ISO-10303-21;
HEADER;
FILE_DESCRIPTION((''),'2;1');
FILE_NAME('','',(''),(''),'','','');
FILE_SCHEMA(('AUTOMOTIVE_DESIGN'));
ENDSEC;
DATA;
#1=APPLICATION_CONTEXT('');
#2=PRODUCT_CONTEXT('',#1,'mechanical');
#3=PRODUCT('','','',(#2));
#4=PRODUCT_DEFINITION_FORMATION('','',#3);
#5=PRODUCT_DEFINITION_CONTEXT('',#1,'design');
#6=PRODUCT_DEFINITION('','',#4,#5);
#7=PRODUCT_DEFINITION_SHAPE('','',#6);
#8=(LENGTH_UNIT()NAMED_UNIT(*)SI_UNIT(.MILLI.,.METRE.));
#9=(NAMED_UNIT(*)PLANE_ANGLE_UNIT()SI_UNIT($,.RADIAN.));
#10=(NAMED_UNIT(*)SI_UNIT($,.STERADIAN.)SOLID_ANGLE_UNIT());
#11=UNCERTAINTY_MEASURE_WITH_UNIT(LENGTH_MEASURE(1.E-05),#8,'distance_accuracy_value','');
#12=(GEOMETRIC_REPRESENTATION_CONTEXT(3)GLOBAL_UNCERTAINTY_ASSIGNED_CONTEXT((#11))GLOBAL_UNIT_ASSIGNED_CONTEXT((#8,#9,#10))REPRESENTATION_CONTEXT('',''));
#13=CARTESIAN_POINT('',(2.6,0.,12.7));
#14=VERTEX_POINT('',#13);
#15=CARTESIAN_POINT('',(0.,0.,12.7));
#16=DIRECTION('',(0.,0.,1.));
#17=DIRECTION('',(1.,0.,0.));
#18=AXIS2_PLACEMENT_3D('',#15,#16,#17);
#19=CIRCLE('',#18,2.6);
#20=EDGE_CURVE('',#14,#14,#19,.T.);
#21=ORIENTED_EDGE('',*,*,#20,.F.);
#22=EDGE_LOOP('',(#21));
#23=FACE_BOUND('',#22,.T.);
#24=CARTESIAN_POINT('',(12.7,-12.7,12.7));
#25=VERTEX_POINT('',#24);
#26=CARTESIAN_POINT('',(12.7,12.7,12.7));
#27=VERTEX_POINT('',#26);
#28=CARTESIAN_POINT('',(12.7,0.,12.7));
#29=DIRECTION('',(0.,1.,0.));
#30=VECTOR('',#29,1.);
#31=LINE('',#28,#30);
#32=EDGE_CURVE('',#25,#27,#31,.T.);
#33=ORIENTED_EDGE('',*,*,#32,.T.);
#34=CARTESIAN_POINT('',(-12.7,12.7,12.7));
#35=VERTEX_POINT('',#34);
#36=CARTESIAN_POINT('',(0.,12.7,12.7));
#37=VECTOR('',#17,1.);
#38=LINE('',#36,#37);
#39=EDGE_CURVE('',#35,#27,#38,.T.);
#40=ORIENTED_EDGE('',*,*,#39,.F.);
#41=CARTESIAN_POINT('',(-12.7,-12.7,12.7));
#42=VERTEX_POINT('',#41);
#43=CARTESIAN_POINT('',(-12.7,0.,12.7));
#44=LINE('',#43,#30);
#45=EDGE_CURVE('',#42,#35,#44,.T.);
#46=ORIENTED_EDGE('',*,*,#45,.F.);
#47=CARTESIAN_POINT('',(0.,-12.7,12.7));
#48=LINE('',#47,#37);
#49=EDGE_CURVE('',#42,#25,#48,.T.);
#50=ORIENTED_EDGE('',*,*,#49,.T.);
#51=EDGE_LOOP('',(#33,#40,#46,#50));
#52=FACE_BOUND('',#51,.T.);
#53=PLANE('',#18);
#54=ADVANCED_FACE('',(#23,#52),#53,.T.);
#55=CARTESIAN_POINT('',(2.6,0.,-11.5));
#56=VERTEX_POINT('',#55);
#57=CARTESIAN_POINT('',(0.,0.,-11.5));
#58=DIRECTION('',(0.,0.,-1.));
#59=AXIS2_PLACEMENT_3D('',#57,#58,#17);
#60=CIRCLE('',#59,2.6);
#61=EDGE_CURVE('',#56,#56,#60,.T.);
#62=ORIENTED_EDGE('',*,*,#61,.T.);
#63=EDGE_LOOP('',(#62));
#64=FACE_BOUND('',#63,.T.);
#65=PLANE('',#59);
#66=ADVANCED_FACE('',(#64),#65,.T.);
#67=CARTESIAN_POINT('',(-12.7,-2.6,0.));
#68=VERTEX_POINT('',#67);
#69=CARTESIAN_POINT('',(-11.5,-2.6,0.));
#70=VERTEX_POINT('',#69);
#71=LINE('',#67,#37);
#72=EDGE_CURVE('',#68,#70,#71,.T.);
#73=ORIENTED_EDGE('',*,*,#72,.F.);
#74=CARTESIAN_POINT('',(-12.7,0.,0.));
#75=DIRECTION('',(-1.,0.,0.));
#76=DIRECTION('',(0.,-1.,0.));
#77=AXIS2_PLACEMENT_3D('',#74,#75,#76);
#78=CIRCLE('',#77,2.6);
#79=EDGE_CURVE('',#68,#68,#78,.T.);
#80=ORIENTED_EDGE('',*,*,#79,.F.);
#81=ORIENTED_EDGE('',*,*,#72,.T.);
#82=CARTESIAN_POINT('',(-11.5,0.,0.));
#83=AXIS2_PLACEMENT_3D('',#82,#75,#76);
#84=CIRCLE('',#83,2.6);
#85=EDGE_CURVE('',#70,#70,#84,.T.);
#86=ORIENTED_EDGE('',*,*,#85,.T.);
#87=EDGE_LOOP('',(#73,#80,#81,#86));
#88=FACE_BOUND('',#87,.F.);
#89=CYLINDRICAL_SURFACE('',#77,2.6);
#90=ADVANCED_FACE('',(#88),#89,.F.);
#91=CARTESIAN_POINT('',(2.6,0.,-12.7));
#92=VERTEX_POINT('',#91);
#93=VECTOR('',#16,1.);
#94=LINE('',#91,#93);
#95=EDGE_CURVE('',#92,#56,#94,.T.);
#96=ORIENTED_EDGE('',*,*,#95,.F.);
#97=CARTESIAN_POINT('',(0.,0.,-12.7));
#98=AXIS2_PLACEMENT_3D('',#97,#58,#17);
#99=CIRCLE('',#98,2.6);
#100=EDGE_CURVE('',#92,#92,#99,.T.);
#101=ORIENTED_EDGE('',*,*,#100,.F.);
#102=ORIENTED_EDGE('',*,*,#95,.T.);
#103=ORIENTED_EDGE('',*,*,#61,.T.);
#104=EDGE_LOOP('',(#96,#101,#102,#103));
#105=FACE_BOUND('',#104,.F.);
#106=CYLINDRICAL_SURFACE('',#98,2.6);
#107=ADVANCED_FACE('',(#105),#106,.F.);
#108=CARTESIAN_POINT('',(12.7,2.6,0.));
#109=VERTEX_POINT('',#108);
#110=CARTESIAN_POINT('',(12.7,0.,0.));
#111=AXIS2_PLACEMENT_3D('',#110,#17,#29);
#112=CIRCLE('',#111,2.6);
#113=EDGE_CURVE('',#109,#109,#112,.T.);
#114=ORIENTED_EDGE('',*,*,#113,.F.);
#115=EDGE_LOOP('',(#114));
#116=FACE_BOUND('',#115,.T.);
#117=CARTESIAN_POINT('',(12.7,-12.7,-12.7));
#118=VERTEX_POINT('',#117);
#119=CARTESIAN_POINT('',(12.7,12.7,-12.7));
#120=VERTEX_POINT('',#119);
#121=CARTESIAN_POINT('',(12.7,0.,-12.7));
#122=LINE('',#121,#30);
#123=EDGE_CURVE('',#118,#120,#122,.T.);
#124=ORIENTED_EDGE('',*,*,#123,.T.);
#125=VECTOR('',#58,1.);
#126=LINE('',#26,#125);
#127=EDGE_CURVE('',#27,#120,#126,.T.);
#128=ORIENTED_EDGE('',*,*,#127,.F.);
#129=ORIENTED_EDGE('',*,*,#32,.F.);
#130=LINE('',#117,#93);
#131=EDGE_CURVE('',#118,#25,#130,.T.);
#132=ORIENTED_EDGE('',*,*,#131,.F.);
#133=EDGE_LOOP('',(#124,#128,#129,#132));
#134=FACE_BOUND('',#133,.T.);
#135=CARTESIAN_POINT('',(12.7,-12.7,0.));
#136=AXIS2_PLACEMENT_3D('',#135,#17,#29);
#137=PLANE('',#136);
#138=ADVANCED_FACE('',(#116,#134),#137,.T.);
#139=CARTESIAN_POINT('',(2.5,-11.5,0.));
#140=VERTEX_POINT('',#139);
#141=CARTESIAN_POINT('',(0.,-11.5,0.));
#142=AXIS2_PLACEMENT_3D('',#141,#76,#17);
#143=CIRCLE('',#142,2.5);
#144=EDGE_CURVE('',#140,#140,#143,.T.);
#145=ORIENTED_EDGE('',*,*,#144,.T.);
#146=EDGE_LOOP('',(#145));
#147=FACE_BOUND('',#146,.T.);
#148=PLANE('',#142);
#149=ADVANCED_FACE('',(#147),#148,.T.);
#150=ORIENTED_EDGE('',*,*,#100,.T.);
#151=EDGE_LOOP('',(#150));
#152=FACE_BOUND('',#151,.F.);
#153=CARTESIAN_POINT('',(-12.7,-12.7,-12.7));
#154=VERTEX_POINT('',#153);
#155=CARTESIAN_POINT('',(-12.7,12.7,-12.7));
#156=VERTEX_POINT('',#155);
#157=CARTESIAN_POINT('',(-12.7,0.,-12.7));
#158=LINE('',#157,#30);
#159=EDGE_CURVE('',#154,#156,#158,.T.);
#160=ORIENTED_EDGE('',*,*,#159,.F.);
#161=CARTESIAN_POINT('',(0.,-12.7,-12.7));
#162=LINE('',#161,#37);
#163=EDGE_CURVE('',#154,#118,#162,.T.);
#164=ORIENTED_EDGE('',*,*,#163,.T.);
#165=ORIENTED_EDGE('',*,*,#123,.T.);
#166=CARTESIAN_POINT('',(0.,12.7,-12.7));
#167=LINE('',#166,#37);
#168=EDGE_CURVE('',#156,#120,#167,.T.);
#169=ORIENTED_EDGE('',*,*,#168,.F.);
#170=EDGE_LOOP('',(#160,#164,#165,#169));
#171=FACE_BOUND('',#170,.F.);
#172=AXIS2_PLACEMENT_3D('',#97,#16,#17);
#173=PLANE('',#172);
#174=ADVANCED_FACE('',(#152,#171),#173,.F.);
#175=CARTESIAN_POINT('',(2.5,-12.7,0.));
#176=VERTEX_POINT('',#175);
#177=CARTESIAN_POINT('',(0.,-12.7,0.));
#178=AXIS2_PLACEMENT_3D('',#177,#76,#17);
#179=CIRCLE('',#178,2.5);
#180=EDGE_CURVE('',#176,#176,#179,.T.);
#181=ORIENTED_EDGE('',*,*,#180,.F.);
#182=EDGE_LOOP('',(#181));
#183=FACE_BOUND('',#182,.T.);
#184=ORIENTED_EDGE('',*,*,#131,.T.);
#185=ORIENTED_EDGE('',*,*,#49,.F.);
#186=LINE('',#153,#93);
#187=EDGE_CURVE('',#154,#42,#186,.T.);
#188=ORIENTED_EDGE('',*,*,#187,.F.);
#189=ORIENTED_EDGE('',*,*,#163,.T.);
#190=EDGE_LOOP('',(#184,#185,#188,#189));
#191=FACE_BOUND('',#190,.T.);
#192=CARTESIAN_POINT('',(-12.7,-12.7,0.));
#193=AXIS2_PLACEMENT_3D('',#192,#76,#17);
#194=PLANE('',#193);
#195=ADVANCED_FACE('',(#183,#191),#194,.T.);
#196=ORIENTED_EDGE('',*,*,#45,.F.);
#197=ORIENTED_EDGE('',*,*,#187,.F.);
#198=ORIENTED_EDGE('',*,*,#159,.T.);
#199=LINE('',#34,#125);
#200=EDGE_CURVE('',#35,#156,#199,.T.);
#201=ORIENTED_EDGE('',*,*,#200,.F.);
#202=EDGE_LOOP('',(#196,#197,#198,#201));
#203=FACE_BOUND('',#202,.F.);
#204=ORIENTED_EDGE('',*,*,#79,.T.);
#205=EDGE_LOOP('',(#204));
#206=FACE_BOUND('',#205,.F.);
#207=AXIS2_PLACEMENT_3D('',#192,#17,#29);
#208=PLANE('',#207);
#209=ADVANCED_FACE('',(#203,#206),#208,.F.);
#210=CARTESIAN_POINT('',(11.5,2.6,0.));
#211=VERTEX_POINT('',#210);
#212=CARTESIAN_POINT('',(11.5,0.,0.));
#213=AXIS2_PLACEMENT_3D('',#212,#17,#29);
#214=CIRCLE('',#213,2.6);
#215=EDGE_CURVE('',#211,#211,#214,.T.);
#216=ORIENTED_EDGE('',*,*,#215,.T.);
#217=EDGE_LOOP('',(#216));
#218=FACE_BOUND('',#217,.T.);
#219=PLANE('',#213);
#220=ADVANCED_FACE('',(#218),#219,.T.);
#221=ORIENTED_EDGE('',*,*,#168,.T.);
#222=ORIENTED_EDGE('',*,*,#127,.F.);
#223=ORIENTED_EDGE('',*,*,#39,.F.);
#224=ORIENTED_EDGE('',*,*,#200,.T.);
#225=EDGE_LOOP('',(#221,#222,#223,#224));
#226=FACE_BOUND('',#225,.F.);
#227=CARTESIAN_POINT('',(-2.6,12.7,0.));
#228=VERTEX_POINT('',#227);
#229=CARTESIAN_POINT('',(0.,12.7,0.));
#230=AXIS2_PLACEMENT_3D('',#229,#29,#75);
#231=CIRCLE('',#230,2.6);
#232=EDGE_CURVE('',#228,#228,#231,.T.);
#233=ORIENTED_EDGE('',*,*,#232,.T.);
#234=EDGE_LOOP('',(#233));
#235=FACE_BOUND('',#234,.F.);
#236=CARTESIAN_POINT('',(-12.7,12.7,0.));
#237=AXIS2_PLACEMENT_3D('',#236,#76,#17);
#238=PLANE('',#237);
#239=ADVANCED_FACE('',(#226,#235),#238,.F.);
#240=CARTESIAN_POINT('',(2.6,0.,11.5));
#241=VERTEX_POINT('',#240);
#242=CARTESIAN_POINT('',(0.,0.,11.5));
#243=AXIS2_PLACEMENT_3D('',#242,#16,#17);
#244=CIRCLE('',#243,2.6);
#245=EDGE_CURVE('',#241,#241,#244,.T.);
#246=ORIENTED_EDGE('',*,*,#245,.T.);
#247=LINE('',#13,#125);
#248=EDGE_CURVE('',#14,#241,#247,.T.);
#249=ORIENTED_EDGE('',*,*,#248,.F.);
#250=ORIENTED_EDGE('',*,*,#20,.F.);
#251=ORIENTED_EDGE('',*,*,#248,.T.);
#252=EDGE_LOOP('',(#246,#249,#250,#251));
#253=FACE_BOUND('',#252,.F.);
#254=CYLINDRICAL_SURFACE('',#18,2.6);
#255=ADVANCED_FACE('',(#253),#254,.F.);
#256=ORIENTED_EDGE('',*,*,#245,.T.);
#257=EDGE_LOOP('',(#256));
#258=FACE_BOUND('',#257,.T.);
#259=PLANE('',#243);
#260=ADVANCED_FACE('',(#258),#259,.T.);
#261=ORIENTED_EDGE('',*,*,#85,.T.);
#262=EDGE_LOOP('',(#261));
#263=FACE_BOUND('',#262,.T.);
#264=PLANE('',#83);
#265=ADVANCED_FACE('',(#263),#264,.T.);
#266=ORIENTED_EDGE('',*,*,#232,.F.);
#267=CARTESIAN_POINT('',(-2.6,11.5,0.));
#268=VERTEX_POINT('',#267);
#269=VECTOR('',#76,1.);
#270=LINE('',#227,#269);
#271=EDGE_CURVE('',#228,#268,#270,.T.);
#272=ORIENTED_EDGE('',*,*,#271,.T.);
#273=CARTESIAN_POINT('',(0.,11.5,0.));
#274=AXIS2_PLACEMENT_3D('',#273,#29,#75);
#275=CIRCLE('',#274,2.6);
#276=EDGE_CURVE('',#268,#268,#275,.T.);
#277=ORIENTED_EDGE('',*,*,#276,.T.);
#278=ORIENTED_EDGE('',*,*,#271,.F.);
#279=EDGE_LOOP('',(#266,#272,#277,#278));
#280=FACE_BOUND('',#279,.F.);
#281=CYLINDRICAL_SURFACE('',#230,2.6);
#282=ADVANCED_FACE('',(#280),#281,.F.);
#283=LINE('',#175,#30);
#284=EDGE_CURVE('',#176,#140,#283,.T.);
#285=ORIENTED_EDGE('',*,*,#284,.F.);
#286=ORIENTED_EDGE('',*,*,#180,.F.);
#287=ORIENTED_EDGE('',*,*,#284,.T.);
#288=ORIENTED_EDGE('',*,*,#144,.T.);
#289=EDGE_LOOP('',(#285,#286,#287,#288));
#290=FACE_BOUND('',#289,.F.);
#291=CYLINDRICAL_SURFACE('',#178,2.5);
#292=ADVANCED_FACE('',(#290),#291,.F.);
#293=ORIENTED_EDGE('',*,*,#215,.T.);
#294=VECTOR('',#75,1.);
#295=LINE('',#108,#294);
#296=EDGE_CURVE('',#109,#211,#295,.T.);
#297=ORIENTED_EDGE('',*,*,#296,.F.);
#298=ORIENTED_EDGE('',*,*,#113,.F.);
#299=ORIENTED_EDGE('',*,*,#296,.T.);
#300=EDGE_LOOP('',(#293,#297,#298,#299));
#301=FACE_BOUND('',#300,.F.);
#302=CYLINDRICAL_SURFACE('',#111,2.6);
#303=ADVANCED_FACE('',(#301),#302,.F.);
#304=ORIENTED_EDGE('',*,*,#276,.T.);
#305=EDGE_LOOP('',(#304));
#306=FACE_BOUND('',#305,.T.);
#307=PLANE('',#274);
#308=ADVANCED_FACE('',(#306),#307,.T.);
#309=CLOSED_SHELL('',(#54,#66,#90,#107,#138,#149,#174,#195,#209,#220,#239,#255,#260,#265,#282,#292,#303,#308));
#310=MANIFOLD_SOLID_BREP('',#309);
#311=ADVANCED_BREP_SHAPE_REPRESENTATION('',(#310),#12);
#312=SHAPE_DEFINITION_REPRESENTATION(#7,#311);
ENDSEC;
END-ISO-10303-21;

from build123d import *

# Parameters (mm, degrees)
F0_W      = 25.4
F0_H      = 25.4
F1_DEPTH  = 12.7
F7_R      = 2.6
F8_DEPTH  = 1.2
F6_R      = 2.6
F9_DEPTH  = 1.2
F5_R      = 2.6
F10_DEPTH = 1.2
F4_R      = 2.6
F11_DEPTH = 1.2
F2_R      = 2.5
F12_DEPTH = 1.2
F3_R      = 2.6
F13_DEPTH = 1.2


with BuildPart() as f1:
    # F0 (on Top) → F1 (new body, symmetric)
    with BuildSketch(Plane.XY):
        Rectangle(F0_W, F0_H)
    extrude(amount=F1_DEPTH, both=True)

    # F7 (on face) → F8 (cut)
    with BuildSketch(Plane(origin=(0, 12.7, 0), x_dir=(-1, 0, 0), z_dir=(0, 1, 0))):
        Circle(F7_R)
    extrude(amount=-F8_DEPTH, mode=Mode.SUBTRACT)

    # F6 (on face) → F9 (cut)
    with BuildSketch(Plane(origin=(0, 0, -12.7), x_dir=(1, 0, 0), z_dir=(0, 0, -1))):
        Circle(F6_R)
    extrude(amount=-F9_DEPTH, mode=Mode.SUBTRACT)

    # F5 (on face) → F10 (cut)
    with BuildSketch(Plane(origin=(-12.7, 0, 0), x_dir=(0, -1, 0), z_dir=(-1, 0, 0))):
        Circle(F5_R)
    extrude(amount=-F10_DEPTH, mode=Mode.SUBTRACT)

    # F4 (on face) → F11 (cut)
    with BuildSketch(Plane.XY.offset(12.7)):
        Circle(F4_R)
    extrude(amount=-F11_DEPTH, mode=Mode.SUBTRACT)

    # F2 (on face) → F12 (cut)
    with BuildSketch(Plane.XZ.offset(12.7)):
        Circle(F2_R)
    extrude(amount=-F12_DEPTH, mode=Mode.SUBTRACT)

    # F3 (on face) → F13 (cut)
    with BuildSketch(Plane.YZ.offset(12.7)):
        Circle(F3_R)
    extrude(amount=-F13_DEPTH, mode=Mode.SUBTRACT)


solid = f1.part
